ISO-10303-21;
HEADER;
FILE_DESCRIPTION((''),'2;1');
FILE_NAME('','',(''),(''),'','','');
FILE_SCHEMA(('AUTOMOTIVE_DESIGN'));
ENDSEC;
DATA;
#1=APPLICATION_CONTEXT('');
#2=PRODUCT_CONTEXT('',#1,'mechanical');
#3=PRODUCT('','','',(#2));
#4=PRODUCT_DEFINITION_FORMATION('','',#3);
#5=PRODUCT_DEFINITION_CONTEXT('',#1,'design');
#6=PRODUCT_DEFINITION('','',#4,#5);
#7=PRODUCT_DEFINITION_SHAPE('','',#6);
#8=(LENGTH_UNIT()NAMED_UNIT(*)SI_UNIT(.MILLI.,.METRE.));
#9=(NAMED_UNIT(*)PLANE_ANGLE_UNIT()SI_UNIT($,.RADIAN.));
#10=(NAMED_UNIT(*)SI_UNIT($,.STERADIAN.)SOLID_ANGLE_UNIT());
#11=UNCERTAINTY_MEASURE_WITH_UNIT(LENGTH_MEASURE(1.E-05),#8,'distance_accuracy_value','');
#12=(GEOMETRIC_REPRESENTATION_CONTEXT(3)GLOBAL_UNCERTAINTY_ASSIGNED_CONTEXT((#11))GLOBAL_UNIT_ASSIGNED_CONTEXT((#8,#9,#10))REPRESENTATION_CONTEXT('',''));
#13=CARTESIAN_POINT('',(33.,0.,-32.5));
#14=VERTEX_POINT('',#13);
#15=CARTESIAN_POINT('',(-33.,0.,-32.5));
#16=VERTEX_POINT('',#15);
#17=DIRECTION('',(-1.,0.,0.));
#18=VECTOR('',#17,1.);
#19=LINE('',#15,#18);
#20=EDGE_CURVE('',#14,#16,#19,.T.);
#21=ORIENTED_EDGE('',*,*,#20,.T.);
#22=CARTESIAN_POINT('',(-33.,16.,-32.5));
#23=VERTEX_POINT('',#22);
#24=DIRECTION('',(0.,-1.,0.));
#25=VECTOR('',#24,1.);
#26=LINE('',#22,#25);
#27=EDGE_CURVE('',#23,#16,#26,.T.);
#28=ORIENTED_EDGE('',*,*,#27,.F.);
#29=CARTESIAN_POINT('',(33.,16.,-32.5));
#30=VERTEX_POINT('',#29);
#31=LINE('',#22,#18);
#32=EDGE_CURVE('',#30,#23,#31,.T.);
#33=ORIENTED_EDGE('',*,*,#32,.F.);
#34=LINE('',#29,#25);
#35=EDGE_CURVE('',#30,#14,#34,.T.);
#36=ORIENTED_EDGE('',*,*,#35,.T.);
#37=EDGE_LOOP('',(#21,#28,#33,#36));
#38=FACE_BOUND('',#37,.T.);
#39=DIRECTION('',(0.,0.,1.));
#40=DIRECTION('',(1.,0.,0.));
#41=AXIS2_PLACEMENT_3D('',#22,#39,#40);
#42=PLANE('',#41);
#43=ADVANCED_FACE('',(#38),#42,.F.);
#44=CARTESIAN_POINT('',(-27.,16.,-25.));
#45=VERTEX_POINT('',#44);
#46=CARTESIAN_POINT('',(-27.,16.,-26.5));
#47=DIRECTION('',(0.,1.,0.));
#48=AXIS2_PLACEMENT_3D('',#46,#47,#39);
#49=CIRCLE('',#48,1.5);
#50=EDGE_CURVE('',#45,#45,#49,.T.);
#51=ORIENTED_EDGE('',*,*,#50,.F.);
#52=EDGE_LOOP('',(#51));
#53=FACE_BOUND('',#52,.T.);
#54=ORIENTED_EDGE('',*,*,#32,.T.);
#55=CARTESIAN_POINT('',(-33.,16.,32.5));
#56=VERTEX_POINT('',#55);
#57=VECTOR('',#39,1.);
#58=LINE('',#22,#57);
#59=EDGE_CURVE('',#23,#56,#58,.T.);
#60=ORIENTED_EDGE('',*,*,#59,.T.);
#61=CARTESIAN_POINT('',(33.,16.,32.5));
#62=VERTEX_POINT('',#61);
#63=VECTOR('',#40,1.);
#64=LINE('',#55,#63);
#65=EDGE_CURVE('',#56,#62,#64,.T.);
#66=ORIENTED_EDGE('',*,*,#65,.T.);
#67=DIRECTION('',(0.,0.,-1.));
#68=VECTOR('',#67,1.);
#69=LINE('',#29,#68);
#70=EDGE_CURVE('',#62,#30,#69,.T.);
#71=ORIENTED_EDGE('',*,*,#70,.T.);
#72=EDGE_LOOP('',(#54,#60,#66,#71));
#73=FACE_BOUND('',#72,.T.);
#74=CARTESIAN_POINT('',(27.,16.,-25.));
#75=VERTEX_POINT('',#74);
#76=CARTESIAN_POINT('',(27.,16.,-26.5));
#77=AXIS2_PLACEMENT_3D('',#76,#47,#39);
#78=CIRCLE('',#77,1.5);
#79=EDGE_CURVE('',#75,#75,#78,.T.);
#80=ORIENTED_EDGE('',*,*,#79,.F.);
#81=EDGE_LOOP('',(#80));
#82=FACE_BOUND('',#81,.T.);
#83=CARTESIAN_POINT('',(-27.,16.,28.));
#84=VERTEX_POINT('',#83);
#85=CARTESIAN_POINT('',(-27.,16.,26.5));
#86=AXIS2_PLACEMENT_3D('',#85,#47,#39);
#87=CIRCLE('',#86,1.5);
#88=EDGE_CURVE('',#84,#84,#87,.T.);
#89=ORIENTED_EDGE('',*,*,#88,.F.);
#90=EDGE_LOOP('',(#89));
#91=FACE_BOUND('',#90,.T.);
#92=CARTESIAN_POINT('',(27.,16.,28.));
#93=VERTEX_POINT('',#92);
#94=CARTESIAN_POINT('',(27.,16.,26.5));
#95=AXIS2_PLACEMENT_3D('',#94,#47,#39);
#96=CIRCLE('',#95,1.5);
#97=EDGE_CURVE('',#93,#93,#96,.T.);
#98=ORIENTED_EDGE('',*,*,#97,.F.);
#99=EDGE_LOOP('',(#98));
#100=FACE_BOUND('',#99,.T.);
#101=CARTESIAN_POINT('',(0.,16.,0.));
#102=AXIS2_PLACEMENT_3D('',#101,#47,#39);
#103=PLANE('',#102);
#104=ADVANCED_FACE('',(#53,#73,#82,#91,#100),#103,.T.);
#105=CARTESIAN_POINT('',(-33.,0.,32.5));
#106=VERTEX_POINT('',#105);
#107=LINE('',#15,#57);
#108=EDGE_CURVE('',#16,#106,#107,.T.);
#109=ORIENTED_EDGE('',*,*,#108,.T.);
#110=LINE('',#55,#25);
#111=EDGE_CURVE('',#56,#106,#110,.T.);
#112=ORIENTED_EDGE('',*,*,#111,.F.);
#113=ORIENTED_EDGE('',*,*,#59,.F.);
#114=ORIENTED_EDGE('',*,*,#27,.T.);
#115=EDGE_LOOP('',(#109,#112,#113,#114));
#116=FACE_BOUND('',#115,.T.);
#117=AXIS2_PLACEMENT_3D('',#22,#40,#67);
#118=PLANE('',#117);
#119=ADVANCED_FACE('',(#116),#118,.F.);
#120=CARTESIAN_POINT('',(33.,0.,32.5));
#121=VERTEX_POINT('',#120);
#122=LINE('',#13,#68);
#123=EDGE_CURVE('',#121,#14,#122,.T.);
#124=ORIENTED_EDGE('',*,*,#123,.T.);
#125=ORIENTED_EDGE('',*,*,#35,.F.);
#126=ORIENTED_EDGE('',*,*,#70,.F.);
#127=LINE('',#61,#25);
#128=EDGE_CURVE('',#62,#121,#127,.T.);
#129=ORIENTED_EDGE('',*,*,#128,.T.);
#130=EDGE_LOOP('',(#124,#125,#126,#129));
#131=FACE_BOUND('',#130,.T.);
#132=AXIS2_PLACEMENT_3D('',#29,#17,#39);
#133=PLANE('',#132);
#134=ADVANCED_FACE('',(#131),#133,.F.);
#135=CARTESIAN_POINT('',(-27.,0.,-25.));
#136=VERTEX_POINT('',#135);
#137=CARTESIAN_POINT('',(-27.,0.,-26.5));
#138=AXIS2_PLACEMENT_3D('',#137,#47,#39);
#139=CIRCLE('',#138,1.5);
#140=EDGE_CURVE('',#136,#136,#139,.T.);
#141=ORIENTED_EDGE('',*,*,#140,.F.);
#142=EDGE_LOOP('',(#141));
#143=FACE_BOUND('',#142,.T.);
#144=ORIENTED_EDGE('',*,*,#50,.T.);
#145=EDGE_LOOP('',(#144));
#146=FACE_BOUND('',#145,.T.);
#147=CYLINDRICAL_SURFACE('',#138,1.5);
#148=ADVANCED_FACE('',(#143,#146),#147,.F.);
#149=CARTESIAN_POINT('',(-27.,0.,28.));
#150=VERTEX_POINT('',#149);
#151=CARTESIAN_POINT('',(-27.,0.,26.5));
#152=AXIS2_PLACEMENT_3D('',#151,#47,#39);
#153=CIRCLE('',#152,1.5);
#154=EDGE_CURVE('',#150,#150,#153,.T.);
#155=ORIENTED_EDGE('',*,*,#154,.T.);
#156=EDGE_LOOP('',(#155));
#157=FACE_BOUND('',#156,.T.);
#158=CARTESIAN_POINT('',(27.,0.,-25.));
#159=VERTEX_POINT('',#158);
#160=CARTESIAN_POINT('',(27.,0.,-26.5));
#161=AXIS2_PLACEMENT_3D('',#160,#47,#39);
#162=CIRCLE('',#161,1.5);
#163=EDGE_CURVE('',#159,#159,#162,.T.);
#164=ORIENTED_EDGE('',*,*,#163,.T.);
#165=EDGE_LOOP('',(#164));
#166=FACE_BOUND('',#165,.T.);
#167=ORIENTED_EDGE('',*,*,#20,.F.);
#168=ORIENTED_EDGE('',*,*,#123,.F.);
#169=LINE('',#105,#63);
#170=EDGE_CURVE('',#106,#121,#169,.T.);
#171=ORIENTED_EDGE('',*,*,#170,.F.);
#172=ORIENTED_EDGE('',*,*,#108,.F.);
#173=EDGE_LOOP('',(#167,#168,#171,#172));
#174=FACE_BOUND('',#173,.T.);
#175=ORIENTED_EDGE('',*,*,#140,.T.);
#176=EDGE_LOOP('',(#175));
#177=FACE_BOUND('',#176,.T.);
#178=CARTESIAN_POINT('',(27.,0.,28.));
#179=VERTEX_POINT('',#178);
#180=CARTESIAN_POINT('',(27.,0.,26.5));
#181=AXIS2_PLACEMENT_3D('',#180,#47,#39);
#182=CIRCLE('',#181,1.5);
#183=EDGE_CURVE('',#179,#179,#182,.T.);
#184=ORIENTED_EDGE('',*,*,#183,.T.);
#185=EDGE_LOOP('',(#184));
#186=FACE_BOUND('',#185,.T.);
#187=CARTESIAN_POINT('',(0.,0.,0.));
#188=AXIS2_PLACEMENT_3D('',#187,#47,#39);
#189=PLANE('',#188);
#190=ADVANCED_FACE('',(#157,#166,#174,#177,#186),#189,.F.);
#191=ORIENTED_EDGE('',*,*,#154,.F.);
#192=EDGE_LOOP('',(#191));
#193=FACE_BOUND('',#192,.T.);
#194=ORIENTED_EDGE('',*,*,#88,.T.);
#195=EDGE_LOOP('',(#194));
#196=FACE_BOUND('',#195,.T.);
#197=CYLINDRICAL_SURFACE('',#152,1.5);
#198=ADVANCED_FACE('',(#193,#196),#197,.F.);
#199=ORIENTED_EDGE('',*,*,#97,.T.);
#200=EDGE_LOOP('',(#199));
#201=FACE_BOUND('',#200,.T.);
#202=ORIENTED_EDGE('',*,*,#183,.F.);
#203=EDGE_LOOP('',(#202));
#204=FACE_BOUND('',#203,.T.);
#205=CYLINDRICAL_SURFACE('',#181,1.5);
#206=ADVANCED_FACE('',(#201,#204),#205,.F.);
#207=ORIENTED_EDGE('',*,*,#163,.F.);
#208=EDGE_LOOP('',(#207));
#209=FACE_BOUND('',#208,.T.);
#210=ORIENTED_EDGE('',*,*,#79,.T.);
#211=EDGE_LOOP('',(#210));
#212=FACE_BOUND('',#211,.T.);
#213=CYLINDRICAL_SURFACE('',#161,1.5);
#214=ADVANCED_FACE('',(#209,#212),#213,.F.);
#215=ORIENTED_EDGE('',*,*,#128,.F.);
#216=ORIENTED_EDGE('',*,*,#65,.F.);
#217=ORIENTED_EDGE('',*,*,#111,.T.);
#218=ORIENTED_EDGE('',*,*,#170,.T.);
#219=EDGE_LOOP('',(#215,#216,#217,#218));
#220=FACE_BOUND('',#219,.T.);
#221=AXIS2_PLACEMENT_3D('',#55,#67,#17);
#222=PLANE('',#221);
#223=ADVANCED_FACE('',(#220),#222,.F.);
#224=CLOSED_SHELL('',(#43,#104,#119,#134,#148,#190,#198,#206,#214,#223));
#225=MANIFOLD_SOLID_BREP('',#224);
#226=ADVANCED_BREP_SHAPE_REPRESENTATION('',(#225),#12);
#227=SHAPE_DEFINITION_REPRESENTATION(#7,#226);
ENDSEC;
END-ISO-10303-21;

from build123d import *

# Parameters (mm, degrees)
SKETCH1_W           = 66
SKETCH1_H           = 65
BOSS_EXTRUDE1_DEPTH = 16
SKETCH2_R           = 1.5
CUT_EXTRUDE1_DEPTH  = 16


with BuildPart() as part:
    # Sketch1 → Boss-Extrude1 (new body)
    with BuildSketch(Plane(origin=(0, 0, 0), x_dir=(1, 0, 0), z_dir=(0, 1, 0))):
        Rectangle(SKETCH1_W, SKETCH1_H)
    extrude(amount=BOSS_EXTRUDE1_DEPTH)

    # Sketch2 → Cut-Extrude1 (cut)
    with BuildSketch(Plane(origin=(0, 16, 0), x_dir=(1, 0, 0), z_dir=(0, 1, 0))):
        with Locations(Location((-27, 26.5, 0), (0, 0, 270))):
            Circle(SKETCH2_R)
        with Locations(Location((27, 26.5, 0), (0, 0, 270))):
            Circle(SKETCH2_R)
        with Locations(Location((27, -26.5, 0), (0, 0, 270))):
            Circle(SKETCH2_R)
        with Locations(Location((-27, -26.5, 0), (0, 0, 270))):
            Circle(SKETCH2_R)
    extrude(amount=-CUT_EXTRUDE1_DEPTH, mode=Mode.SUBTRACT)


solid = part.part
